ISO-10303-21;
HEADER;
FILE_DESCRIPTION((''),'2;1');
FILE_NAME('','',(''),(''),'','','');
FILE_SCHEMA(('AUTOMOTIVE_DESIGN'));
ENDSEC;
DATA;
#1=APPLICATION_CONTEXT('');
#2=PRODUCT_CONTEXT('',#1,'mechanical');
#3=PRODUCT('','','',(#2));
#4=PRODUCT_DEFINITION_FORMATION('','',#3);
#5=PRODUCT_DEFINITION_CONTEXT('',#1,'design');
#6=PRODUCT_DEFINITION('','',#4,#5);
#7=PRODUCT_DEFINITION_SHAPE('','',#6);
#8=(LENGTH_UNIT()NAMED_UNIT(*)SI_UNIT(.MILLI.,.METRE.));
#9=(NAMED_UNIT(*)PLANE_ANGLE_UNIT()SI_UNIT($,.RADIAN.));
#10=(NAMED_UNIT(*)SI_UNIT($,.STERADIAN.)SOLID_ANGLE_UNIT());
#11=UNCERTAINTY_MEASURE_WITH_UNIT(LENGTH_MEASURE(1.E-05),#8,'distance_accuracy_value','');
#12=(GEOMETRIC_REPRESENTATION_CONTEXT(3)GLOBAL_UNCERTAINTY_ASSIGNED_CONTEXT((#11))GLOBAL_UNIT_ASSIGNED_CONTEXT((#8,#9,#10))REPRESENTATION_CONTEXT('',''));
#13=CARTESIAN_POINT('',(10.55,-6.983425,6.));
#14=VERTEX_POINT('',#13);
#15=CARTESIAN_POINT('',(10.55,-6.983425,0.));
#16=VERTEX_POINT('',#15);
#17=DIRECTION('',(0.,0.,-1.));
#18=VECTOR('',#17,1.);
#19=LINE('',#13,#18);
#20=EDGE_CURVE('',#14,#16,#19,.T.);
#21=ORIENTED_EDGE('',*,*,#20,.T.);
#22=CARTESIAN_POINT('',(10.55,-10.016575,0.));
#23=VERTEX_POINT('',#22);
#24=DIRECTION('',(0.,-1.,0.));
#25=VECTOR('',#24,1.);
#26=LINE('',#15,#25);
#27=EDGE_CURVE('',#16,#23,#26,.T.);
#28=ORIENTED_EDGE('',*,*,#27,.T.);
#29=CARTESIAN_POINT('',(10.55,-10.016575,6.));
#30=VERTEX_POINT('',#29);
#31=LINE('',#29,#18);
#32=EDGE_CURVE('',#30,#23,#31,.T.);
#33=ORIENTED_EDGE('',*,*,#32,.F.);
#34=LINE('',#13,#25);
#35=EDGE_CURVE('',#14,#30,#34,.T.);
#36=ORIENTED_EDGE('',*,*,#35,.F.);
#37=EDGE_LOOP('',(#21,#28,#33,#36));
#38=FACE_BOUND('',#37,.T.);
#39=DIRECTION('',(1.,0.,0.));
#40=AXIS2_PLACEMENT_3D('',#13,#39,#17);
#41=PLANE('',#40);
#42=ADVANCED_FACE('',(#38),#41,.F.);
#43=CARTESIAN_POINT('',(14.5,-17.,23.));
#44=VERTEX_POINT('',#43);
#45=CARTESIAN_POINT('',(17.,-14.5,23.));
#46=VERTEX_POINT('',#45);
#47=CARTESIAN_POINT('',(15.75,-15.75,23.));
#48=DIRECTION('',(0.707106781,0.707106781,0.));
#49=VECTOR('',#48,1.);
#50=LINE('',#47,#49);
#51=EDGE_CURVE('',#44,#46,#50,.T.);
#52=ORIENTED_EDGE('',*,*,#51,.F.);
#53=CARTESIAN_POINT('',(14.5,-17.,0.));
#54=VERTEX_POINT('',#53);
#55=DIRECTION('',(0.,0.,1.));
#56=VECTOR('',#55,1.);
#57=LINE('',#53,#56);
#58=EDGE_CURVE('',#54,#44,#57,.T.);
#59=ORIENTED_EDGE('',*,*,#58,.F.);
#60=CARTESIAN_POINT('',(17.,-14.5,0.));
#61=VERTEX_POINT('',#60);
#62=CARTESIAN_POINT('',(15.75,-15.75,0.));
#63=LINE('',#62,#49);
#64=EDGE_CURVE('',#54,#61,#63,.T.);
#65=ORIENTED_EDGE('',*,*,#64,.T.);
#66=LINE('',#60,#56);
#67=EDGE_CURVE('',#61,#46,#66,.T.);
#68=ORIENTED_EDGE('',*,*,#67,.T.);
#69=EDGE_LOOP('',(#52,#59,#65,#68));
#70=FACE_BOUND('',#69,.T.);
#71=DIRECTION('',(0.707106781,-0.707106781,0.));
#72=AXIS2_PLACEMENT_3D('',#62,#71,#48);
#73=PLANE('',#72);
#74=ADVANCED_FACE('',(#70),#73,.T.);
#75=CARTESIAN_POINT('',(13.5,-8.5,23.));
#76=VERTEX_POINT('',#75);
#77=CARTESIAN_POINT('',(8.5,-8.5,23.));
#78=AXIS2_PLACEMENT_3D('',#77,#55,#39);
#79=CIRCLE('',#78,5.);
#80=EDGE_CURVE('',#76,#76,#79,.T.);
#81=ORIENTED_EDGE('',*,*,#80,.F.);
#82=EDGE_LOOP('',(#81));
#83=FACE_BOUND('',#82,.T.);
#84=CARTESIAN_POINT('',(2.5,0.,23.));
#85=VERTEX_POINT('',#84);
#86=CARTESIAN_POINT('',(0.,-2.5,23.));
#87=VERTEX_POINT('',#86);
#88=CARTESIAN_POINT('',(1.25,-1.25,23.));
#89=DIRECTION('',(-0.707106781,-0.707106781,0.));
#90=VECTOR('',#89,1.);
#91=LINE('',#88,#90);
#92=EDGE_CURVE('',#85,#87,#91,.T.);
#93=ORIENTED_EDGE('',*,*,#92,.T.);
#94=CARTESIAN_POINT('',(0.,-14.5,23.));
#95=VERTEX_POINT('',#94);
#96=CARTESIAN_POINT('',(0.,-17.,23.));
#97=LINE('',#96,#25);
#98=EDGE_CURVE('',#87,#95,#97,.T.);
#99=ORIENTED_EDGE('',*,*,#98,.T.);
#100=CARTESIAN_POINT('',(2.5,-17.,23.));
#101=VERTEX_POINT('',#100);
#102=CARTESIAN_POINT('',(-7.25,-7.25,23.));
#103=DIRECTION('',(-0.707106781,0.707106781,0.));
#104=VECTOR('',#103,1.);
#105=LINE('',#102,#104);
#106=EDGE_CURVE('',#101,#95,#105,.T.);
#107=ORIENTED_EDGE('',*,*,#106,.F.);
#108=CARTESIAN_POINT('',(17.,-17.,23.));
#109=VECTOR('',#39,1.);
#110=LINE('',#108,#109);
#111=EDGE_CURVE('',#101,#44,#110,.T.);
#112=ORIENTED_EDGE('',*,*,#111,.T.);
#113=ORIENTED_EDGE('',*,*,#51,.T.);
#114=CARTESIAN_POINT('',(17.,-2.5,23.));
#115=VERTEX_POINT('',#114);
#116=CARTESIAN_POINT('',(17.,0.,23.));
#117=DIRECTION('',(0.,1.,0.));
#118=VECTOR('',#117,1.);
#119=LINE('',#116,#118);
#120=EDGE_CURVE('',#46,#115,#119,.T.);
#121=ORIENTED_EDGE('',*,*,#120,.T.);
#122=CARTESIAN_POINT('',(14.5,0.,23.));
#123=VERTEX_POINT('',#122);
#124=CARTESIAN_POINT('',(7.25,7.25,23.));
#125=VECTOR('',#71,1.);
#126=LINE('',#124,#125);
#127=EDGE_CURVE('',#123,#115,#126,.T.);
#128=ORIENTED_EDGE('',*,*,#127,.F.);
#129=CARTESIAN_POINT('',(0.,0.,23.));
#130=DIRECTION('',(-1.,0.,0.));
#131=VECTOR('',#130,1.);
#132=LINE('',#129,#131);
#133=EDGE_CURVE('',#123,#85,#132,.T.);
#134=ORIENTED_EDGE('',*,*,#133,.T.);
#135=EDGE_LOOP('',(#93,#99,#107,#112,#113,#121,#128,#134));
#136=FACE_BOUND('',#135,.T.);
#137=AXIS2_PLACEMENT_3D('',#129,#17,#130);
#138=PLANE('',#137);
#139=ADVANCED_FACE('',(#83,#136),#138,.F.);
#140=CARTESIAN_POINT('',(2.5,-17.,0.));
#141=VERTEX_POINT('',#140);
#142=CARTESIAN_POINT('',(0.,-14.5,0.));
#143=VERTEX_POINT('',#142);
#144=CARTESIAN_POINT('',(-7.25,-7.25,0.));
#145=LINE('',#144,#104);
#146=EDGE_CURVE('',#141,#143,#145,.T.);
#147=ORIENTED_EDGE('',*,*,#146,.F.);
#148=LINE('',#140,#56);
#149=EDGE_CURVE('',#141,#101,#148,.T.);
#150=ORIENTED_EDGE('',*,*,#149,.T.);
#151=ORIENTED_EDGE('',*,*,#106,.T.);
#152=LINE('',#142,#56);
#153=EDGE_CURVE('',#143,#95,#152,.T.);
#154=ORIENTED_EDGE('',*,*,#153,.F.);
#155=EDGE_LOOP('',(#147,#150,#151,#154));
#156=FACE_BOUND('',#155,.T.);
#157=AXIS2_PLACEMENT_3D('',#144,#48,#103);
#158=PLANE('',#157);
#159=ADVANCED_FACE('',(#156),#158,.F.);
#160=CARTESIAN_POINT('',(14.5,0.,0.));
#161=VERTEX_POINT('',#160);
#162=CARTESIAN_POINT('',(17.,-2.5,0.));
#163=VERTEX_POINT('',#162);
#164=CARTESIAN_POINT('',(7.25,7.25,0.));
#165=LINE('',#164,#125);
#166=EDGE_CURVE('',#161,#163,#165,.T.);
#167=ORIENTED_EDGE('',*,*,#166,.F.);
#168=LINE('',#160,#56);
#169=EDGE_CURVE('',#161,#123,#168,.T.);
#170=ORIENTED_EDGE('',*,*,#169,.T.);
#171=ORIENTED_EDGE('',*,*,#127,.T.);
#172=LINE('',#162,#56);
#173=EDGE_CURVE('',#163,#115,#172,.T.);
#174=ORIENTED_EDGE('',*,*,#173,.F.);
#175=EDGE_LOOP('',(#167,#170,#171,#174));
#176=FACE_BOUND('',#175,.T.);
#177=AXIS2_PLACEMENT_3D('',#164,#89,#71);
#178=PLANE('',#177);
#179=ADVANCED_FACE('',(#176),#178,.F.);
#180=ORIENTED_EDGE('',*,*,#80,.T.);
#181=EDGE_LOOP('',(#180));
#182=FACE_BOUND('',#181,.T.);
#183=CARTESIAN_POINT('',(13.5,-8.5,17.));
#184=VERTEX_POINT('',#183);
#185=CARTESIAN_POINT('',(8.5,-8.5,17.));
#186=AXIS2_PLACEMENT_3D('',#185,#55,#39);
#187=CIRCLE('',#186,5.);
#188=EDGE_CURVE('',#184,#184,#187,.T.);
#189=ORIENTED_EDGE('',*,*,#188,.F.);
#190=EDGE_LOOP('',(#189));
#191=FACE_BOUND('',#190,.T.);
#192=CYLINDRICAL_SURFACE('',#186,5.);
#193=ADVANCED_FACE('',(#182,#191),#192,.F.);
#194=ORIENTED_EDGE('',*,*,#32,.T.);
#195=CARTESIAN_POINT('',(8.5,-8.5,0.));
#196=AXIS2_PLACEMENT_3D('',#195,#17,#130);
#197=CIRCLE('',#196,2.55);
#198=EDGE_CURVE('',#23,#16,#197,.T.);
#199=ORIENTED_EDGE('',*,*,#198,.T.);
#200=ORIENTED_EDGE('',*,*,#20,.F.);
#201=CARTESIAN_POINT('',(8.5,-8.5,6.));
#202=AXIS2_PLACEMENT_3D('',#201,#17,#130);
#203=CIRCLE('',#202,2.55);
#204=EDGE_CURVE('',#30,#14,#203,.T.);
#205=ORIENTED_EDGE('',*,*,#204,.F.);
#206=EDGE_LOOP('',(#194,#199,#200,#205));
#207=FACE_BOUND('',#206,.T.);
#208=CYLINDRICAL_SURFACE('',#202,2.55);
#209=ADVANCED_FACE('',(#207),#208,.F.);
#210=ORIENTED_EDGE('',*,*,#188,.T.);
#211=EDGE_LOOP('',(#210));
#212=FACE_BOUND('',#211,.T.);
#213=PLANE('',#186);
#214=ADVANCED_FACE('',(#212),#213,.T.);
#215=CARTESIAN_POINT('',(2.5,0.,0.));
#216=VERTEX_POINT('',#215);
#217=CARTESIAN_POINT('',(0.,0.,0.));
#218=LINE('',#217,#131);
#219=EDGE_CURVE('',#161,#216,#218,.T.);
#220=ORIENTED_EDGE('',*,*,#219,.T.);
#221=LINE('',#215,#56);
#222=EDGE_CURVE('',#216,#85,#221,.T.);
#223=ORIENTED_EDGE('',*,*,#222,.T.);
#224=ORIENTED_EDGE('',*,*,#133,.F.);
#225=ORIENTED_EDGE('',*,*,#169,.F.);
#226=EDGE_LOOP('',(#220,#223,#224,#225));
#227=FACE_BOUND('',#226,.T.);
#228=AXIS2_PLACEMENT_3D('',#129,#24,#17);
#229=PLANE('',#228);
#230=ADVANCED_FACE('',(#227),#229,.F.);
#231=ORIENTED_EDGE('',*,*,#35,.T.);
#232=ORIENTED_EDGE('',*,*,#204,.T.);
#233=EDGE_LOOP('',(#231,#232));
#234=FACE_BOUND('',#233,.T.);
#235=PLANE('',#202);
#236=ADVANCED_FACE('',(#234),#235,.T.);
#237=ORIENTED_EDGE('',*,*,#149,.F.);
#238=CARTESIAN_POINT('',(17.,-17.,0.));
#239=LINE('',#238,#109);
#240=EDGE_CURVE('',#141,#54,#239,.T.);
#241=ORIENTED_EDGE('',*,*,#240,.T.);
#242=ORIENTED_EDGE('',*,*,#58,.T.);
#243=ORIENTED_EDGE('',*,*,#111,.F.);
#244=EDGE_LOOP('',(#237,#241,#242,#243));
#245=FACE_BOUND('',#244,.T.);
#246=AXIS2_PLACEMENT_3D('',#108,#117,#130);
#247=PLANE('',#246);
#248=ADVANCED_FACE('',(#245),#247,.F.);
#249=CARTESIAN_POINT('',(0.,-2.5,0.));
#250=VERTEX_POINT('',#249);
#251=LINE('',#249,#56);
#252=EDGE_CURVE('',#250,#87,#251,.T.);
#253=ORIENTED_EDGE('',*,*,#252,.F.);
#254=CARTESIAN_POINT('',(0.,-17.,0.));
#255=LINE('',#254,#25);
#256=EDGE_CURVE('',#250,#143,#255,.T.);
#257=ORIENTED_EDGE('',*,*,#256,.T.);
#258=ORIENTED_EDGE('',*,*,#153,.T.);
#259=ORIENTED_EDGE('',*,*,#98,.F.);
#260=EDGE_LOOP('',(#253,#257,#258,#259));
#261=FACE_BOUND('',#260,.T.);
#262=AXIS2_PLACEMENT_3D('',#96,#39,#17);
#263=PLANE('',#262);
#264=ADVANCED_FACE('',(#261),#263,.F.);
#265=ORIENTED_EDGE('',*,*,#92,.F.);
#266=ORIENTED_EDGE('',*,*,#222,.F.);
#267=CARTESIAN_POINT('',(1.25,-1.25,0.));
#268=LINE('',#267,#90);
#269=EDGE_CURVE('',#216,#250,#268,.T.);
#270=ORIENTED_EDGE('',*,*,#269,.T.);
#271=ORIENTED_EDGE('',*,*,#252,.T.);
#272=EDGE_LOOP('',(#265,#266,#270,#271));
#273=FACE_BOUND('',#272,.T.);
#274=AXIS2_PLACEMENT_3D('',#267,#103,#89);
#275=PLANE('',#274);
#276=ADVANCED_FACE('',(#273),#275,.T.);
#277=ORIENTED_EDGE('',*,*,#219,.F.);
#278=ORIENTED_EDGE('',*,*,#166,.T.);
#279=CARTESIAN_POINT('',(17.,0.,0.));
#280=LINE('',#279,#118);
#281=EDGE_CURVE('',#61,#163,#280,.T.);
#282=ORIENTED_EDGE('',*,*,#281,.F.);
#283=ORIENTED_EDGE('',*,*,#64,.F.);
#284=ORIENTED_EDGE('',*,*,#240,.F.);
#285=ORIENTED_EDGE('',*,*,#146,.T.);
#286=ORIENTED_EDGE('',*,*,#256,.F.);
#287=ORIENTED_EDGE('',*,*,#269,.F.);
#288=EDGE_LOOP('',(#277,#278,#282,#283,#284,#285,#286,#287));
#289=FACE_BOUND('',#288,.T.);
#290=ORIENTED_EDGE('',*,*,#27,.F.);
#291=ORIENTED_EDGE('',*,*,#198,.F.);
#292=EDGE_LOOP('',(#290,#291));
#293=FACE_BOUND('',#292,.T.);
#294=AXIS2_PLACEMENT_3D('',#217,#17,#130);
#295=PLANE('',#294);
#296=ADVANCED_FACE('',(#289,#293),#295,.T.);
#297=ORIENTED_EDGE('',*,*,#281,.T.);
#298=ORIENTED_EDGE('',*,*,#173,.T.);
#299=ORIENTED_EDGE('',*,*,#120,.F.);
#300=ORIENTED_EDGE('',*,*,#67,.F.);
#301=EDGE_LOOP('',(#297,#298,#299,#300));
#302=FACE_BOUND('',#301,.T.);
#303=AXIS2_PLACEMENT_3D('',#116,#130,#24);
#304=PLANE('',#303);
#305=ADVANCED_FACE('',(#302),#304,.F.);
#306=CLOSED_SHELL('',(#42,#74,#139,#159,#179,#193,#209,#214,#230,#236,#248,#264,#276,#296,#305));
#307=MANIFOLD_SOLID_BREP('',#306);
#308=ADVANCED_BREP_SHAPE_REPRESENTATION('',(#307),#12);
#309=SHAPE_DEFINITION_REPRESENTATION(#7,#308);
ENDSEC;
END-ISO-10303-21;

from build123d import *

# Parameters (mm, degrees)
SKETCH3_W           = 17
SKETCH3_H           = 17
BOSS_EXTRUDE1_DEPTH = 23
CUT_EXTRUDE1_DEPTH  = 34.271609519
SKETCH5_R           = 5
CUT_EXTRUDE2_DEPTH  = 6
CUT_EXTRUDE3_DEPTH  = 6


with BuildPart() as part:
    # Sketch3 → Boss-Extrude1 (new body)
    with BuildSketch(Plane.XY):
        with Locations((8.5, -8.5)):
            Rectangle(SKETCH3_W, SKETCH3_H)
    extrude(amount=BOSS_EXTRUDE1_DEPTH)

    # Sketch4 → Cut-Extrude1 (cut, through all)
    with BuildSketch(Plane.XY.offset(23)):
        Polygon((17, 0), (14.5, 0), (17, -2.5), align=None)
        Polygon((0, -2.5), (2.5, 0), (0, 0), align=None)
        Polygon((2.5, -17), (0, -14.5), (0, -17), align=None)
        Polygon((17, -17), (17, -14.5), (14.5, -17), align=None)
    extrude(amount=-CUT_EXTRUDE1_DEPTH, mode=Mode.SUBTRACT)

    # Sketch5 → Cut-Extrude2 (cut)
    with BuildSketch(Plane.XY.offset(23)):
        with Locations((8.5, -8.5)):
            Circle(SKETCH5_R)
    extrude(amount=-CUT_EXTRUDE2_DEPTH, mode=Mode.SUBTRACT)

    # Sketch6 → Cut-Extrude3 (cut)
    with BuildSketch(Plane(origin=(0, 0, 0), x_dir=(-1, 0, 0), z_dir=(0, 0, -1))):
        with BuildLine():
            Line((-10.55, -6.983424911), (-10.55, -10.016575089))
            ThreePointArc((-10.55, -10.016575089), (-5.95, -8.5), (-10.55, -6.983424911))
        make_face()
    extrude(amount=-CUT_EXTRUDE3_DEPTH, mode=Mode.SUBTRACT)


solid = part.part
